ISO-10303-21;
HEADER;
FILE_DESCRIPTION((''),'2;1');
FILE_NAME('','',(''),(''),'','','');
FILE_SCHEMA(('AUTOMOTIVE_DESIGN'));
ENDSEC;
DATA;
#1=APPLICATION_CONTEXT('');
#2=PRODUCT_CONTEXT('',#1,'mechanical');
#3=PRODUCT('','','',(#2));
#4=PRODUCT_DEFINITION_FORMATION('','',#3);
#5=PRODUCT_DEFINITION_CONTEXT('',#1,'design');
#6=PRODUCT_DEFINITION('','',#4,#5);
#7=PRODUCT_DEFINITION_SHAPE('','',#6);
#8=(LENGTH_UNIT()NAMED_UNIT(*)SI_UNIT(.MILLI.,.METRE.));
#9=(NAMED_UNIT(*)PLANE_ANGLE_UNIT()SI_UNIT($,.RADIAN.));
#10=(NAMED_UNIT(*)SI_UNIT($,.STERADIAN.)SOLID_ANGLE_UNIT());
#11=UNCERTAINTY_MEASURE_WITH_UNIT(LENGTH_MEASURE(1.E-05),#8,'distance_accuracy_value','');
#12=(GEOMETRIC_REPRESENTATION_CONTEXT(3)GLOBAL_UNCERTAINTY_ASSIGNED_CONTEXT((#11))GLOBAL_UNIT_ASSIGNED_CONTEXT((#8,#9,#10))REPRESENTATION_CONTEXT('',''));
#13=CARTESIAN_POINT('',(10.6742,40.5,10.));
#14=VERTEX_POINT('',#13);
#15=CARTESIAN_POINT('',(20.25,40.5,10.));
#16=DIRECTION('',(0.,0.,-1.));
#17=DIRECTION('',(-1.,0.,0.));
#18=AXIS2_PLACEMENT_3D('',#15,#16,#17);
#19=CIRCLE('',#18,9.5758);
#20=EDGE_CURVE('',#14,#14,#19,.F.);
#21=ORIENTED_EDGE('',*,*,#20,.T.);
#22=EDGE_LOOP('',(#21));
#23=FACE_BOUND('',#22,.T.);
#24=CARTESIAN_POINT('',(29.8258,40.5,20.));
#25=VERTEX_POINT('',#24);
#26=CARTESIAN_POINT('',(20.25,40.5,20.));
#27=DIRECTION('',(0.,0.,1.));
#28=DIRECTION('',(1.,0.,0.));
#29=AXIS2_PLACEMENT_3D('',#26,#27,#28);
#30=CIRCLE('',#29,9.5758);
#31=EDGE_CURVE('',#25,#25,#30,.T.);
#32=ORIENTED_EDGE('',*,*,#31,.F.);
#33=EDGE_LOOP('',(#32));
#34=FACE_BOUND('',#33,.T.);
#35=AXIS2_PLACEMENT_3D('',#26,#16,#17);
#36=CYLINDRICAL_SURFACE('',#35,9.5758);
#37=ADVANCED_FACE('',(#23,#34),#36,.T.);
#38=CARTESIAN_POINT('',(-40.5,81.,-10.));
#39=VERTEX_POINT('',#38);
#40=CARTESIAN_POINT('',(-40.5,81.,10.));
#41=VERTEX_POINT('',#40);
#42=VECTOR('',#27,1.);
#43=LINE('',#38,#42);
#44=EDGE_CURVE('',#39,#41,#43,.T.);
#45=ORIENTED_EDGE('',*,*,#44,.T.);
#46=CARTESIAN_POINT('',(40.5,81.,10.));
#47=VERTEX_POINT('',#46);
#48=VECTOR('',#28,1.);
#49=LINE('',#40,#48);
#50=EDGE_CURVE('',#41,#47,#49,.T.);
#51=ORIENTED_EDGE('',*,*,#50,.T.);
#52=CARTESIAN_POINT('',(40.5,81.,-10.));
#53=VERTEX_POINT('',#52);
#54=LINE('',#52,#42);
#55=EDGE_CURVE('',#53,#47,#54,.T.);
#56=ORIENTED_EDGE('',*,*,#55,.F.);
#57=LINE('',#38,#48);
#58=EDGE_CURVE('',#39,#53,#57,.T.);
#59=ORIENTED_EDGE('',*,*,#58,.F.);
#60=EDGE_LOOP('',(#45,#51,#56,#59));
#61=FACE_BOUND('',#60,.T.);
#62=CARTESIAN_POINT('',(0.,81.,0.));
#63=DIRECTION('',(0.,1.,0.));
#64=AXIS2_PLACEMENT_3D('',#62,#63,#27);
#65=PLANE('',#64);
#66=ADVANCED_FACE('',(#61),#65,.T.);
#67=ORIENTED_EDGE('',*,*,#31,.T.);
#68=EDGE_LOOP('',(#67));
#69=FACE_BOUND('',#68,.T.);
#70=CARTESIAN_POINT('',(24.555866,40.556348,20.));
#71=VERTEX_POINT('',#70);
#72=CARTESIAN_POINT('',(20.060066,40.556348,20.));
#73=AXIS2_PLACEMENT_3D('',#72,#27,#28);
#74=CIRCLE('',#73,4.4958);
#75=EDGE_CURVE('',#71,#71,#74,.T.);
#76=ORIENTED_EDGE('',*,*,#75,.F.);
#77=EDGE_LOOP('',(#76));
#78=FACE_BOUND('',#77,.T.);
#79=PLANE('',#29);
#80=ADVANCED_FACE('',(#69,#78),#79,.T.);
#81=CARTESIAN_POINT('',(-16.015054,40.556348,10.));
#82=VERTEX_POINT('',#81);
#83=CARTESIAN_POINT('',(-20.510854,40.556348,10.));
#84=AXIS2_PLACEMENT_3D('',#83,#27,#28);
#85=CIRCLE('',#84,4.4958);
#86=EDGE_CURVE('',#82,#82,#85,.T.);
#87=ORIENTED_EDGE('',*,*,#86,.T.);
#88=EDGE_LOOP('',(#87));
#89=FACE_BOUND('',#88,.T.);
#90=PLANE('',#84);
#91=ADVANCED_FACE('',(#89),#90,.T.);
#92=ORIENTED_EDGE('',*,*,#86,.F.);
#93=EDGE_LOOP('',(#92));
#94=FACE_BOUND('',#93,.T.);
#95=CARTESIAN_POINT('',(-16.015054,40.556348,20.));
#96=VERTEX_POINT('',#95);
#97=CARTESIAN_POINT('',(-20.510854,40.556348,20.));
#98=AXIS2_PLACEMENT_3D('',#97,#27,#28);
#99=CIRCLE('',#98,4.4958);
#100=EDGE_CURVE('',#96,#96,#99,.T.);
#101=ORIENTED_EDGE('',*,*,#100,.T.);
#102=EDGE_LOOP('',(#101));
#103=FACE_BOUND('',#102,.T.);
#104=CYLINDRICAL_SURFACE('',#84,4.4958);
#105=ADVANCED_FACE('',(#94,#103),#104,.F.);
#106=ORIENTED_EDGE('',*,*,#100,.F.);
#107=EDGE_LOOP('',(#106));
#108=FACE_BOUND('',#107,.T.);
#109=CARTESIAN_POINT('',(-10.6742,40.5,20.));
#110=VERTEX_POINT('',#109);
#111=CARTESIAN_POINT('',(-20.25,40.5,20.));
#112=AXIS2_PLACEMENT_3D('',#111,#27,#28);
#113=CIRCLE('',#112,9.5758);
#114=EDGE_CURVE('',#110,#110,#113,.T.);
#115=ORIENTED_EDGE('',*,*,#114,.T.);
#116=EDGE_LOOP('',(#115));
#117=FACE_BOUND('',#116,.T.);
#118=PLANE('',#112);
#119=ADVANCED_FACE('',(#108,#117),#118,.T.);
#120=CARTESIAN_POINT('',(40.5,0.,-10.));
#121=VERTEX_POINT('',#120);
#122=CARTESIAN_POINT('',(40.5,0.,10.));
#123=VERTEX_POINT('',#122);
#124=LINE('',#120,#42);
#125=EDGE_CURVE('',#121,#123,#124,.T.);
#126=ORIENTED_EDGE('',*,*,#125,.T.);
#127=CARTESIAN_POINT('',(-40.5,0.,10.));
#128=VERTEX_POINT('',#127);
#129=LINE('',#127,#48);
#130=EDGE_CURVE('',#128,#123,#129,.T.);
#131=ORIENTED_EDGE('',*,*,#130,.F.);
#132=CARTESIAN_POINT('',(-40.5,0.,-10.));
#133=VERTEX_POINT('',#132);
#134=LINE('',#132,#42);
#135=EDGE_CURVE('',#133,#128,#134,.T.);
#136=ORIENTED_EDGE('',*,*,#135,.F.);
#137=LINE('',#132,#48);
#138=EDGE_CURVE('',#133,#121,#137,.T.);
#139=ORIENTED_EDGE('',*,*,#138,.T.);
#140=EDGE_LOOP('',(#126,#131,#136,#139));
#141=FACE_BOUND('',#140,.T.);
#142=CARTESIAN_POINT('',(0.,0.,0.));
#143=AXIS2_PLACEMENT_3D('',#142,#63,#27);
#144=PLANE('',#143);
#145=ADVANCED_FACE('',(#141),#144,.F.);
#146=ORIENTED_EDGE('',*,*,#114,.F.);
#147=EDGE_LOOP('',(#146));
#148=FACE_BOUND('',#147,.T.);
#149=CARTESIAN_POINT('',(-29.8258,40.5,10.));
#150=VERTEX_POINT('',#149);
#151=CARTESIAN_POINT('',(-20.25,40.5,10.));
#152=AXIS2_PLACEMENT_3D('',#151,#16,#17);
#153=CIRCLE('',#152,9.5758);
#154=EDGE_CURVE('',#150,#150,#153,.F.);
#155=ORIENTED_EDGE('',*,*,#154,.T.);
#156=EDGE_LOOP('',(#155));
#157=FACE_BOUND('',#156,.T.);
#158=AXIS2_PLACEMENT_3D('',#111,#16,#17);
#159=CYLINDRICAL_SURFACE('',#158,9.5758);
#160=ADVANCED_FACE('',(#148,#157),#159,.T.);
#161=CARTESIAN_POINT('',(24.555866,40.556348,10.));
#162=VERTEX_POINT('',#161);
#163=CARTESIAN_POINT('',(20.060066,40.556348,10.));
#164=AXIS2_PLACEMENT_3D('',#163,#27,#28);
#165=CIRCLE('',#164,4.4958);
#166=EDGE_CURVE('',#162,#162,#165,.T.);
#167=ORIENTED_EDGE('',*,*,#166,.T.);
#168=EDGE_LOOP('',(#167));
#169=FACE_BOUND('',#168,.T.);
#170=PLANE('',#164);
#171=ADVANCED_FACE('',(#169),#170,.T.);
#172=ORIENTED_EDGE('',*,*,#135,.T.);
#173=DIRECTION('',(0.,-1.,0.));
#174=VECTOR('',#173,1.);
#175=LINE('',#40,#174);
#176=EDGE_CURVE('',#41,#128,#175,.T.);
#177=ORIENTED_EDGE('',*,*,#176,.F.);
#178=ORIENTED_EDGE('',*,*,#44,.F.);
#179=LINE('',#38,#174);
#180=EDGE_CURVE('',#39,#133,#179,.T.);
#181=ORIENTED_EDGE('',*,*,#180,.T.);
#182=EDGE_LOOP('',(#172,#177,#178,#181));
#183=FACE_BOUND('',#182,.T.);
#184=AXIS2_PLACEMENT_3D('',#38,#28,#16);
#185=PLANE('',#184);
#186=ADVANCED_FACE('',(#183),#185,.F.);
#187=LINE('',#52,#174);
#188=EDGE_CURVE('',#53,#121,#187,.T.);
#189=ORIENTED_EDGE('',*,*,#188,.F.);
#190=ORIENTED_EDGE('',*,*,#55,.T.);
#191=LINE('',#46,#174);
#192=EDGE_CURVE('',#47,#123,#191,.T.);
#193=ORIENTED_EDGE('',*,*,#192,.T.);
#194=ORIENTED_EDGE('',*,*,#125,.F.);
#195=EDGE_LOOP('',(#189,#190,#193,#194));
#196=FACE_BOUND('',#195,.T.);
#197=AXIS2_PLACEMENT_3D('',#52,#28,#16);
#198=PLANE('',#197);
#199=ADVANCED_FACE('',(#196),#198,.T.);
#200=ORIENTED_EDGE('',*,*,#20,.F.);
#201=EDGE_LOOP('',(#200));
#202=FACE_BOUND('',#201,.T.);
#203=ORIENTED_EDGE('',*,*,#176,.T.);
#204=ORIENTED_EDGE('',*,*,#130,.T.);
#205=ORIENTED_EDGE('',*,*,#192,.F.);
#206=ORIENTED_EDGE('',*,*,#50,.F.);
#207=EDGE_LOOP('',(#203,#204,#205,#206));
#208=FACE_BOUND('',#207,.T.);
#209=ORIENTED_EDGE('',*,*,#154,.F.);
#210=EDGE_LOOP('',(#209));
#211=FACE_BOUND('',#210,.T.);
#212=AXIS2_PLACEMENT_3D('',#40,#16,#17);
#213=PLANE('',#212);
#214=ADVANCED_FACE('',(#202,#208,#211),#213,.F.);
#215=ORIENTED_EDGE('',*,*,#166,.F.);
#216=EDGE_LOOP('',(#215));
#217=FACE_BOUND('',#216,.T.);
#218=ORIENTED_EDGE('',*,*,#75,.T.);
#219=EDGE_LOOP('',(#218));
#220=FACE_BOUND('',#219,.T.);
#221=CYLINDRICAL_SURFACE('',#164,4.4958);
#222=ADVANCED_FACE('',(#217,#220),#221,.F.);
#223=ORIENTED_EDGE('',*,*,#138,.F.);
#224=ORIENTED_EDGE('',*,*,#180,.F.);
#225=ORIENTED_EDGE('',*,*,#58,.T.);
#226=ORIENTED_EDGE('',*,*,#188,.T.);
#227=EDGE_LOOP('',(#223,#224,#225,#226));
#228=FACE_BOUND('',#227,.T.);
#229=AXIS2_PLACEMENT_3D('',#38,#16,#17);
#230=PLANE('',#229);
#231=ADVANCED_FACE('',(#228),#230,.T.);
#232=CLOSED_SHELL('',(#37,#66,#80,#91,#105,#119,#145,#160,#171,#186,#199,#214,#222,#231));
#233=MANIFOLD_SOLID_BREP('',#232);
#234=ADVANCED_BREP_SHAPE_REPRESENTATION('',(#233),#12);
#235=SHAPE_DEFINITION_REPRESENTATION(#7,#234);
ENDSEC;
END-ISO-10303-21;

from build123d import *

# Parameters (mm, degrees)
SKETCH1_W           = 81
SKETCH1_H           = 20
BOSS_EXTRUDE2_DEPTH = 81
SKETCH2_R           = 9.5758
BOSS_EXTRUDE4_DEPTH = 10
SKETCH4_R           = 4.4958
CUT_EXTRUDE1_DEPTH  = 10


with BuildPart() as part:
    # Sketch1 → Boss-Extrude2 (new body)
    with BuildSketch(Plane(origin=(0, 0, 0), x_dir=(1, 0, 0), z_dir=(0, 1, 0))):
        Rectangle(SKETCH1_W, SKETCH1_H)
    extrude(amount=BOSS_EXTRUDE2_DEPTH)

    # Sketch2 → Boss-Extrude4 (add)
    with BuildSketch(Plane.XY.offset(10)):
        with Locations((-20.25, 40.5)):
            Circle(SKETCH2_R)
        with Locations((20.25, 40.5)):
            Circle(SKETCH2_R)
    extrude(amount=BOSS_EXTRUDE4_DEPTH)

    # Sketch4 → Cut-Extrude1 (cut)
    with BuildSketch(Plane.XY.offset(20)):
        with Locations((-20.510853934, 40.5563485)):
            Circle(SKETCH4_R)
        with Locations((20.060065936, 40.5563485)):
            Circle(SKETCH4_R)
    extrude(amount=-CUT_EXTRUDE1_DEPTH, mode=Mode.SUBTRACT)


solid = part.part
